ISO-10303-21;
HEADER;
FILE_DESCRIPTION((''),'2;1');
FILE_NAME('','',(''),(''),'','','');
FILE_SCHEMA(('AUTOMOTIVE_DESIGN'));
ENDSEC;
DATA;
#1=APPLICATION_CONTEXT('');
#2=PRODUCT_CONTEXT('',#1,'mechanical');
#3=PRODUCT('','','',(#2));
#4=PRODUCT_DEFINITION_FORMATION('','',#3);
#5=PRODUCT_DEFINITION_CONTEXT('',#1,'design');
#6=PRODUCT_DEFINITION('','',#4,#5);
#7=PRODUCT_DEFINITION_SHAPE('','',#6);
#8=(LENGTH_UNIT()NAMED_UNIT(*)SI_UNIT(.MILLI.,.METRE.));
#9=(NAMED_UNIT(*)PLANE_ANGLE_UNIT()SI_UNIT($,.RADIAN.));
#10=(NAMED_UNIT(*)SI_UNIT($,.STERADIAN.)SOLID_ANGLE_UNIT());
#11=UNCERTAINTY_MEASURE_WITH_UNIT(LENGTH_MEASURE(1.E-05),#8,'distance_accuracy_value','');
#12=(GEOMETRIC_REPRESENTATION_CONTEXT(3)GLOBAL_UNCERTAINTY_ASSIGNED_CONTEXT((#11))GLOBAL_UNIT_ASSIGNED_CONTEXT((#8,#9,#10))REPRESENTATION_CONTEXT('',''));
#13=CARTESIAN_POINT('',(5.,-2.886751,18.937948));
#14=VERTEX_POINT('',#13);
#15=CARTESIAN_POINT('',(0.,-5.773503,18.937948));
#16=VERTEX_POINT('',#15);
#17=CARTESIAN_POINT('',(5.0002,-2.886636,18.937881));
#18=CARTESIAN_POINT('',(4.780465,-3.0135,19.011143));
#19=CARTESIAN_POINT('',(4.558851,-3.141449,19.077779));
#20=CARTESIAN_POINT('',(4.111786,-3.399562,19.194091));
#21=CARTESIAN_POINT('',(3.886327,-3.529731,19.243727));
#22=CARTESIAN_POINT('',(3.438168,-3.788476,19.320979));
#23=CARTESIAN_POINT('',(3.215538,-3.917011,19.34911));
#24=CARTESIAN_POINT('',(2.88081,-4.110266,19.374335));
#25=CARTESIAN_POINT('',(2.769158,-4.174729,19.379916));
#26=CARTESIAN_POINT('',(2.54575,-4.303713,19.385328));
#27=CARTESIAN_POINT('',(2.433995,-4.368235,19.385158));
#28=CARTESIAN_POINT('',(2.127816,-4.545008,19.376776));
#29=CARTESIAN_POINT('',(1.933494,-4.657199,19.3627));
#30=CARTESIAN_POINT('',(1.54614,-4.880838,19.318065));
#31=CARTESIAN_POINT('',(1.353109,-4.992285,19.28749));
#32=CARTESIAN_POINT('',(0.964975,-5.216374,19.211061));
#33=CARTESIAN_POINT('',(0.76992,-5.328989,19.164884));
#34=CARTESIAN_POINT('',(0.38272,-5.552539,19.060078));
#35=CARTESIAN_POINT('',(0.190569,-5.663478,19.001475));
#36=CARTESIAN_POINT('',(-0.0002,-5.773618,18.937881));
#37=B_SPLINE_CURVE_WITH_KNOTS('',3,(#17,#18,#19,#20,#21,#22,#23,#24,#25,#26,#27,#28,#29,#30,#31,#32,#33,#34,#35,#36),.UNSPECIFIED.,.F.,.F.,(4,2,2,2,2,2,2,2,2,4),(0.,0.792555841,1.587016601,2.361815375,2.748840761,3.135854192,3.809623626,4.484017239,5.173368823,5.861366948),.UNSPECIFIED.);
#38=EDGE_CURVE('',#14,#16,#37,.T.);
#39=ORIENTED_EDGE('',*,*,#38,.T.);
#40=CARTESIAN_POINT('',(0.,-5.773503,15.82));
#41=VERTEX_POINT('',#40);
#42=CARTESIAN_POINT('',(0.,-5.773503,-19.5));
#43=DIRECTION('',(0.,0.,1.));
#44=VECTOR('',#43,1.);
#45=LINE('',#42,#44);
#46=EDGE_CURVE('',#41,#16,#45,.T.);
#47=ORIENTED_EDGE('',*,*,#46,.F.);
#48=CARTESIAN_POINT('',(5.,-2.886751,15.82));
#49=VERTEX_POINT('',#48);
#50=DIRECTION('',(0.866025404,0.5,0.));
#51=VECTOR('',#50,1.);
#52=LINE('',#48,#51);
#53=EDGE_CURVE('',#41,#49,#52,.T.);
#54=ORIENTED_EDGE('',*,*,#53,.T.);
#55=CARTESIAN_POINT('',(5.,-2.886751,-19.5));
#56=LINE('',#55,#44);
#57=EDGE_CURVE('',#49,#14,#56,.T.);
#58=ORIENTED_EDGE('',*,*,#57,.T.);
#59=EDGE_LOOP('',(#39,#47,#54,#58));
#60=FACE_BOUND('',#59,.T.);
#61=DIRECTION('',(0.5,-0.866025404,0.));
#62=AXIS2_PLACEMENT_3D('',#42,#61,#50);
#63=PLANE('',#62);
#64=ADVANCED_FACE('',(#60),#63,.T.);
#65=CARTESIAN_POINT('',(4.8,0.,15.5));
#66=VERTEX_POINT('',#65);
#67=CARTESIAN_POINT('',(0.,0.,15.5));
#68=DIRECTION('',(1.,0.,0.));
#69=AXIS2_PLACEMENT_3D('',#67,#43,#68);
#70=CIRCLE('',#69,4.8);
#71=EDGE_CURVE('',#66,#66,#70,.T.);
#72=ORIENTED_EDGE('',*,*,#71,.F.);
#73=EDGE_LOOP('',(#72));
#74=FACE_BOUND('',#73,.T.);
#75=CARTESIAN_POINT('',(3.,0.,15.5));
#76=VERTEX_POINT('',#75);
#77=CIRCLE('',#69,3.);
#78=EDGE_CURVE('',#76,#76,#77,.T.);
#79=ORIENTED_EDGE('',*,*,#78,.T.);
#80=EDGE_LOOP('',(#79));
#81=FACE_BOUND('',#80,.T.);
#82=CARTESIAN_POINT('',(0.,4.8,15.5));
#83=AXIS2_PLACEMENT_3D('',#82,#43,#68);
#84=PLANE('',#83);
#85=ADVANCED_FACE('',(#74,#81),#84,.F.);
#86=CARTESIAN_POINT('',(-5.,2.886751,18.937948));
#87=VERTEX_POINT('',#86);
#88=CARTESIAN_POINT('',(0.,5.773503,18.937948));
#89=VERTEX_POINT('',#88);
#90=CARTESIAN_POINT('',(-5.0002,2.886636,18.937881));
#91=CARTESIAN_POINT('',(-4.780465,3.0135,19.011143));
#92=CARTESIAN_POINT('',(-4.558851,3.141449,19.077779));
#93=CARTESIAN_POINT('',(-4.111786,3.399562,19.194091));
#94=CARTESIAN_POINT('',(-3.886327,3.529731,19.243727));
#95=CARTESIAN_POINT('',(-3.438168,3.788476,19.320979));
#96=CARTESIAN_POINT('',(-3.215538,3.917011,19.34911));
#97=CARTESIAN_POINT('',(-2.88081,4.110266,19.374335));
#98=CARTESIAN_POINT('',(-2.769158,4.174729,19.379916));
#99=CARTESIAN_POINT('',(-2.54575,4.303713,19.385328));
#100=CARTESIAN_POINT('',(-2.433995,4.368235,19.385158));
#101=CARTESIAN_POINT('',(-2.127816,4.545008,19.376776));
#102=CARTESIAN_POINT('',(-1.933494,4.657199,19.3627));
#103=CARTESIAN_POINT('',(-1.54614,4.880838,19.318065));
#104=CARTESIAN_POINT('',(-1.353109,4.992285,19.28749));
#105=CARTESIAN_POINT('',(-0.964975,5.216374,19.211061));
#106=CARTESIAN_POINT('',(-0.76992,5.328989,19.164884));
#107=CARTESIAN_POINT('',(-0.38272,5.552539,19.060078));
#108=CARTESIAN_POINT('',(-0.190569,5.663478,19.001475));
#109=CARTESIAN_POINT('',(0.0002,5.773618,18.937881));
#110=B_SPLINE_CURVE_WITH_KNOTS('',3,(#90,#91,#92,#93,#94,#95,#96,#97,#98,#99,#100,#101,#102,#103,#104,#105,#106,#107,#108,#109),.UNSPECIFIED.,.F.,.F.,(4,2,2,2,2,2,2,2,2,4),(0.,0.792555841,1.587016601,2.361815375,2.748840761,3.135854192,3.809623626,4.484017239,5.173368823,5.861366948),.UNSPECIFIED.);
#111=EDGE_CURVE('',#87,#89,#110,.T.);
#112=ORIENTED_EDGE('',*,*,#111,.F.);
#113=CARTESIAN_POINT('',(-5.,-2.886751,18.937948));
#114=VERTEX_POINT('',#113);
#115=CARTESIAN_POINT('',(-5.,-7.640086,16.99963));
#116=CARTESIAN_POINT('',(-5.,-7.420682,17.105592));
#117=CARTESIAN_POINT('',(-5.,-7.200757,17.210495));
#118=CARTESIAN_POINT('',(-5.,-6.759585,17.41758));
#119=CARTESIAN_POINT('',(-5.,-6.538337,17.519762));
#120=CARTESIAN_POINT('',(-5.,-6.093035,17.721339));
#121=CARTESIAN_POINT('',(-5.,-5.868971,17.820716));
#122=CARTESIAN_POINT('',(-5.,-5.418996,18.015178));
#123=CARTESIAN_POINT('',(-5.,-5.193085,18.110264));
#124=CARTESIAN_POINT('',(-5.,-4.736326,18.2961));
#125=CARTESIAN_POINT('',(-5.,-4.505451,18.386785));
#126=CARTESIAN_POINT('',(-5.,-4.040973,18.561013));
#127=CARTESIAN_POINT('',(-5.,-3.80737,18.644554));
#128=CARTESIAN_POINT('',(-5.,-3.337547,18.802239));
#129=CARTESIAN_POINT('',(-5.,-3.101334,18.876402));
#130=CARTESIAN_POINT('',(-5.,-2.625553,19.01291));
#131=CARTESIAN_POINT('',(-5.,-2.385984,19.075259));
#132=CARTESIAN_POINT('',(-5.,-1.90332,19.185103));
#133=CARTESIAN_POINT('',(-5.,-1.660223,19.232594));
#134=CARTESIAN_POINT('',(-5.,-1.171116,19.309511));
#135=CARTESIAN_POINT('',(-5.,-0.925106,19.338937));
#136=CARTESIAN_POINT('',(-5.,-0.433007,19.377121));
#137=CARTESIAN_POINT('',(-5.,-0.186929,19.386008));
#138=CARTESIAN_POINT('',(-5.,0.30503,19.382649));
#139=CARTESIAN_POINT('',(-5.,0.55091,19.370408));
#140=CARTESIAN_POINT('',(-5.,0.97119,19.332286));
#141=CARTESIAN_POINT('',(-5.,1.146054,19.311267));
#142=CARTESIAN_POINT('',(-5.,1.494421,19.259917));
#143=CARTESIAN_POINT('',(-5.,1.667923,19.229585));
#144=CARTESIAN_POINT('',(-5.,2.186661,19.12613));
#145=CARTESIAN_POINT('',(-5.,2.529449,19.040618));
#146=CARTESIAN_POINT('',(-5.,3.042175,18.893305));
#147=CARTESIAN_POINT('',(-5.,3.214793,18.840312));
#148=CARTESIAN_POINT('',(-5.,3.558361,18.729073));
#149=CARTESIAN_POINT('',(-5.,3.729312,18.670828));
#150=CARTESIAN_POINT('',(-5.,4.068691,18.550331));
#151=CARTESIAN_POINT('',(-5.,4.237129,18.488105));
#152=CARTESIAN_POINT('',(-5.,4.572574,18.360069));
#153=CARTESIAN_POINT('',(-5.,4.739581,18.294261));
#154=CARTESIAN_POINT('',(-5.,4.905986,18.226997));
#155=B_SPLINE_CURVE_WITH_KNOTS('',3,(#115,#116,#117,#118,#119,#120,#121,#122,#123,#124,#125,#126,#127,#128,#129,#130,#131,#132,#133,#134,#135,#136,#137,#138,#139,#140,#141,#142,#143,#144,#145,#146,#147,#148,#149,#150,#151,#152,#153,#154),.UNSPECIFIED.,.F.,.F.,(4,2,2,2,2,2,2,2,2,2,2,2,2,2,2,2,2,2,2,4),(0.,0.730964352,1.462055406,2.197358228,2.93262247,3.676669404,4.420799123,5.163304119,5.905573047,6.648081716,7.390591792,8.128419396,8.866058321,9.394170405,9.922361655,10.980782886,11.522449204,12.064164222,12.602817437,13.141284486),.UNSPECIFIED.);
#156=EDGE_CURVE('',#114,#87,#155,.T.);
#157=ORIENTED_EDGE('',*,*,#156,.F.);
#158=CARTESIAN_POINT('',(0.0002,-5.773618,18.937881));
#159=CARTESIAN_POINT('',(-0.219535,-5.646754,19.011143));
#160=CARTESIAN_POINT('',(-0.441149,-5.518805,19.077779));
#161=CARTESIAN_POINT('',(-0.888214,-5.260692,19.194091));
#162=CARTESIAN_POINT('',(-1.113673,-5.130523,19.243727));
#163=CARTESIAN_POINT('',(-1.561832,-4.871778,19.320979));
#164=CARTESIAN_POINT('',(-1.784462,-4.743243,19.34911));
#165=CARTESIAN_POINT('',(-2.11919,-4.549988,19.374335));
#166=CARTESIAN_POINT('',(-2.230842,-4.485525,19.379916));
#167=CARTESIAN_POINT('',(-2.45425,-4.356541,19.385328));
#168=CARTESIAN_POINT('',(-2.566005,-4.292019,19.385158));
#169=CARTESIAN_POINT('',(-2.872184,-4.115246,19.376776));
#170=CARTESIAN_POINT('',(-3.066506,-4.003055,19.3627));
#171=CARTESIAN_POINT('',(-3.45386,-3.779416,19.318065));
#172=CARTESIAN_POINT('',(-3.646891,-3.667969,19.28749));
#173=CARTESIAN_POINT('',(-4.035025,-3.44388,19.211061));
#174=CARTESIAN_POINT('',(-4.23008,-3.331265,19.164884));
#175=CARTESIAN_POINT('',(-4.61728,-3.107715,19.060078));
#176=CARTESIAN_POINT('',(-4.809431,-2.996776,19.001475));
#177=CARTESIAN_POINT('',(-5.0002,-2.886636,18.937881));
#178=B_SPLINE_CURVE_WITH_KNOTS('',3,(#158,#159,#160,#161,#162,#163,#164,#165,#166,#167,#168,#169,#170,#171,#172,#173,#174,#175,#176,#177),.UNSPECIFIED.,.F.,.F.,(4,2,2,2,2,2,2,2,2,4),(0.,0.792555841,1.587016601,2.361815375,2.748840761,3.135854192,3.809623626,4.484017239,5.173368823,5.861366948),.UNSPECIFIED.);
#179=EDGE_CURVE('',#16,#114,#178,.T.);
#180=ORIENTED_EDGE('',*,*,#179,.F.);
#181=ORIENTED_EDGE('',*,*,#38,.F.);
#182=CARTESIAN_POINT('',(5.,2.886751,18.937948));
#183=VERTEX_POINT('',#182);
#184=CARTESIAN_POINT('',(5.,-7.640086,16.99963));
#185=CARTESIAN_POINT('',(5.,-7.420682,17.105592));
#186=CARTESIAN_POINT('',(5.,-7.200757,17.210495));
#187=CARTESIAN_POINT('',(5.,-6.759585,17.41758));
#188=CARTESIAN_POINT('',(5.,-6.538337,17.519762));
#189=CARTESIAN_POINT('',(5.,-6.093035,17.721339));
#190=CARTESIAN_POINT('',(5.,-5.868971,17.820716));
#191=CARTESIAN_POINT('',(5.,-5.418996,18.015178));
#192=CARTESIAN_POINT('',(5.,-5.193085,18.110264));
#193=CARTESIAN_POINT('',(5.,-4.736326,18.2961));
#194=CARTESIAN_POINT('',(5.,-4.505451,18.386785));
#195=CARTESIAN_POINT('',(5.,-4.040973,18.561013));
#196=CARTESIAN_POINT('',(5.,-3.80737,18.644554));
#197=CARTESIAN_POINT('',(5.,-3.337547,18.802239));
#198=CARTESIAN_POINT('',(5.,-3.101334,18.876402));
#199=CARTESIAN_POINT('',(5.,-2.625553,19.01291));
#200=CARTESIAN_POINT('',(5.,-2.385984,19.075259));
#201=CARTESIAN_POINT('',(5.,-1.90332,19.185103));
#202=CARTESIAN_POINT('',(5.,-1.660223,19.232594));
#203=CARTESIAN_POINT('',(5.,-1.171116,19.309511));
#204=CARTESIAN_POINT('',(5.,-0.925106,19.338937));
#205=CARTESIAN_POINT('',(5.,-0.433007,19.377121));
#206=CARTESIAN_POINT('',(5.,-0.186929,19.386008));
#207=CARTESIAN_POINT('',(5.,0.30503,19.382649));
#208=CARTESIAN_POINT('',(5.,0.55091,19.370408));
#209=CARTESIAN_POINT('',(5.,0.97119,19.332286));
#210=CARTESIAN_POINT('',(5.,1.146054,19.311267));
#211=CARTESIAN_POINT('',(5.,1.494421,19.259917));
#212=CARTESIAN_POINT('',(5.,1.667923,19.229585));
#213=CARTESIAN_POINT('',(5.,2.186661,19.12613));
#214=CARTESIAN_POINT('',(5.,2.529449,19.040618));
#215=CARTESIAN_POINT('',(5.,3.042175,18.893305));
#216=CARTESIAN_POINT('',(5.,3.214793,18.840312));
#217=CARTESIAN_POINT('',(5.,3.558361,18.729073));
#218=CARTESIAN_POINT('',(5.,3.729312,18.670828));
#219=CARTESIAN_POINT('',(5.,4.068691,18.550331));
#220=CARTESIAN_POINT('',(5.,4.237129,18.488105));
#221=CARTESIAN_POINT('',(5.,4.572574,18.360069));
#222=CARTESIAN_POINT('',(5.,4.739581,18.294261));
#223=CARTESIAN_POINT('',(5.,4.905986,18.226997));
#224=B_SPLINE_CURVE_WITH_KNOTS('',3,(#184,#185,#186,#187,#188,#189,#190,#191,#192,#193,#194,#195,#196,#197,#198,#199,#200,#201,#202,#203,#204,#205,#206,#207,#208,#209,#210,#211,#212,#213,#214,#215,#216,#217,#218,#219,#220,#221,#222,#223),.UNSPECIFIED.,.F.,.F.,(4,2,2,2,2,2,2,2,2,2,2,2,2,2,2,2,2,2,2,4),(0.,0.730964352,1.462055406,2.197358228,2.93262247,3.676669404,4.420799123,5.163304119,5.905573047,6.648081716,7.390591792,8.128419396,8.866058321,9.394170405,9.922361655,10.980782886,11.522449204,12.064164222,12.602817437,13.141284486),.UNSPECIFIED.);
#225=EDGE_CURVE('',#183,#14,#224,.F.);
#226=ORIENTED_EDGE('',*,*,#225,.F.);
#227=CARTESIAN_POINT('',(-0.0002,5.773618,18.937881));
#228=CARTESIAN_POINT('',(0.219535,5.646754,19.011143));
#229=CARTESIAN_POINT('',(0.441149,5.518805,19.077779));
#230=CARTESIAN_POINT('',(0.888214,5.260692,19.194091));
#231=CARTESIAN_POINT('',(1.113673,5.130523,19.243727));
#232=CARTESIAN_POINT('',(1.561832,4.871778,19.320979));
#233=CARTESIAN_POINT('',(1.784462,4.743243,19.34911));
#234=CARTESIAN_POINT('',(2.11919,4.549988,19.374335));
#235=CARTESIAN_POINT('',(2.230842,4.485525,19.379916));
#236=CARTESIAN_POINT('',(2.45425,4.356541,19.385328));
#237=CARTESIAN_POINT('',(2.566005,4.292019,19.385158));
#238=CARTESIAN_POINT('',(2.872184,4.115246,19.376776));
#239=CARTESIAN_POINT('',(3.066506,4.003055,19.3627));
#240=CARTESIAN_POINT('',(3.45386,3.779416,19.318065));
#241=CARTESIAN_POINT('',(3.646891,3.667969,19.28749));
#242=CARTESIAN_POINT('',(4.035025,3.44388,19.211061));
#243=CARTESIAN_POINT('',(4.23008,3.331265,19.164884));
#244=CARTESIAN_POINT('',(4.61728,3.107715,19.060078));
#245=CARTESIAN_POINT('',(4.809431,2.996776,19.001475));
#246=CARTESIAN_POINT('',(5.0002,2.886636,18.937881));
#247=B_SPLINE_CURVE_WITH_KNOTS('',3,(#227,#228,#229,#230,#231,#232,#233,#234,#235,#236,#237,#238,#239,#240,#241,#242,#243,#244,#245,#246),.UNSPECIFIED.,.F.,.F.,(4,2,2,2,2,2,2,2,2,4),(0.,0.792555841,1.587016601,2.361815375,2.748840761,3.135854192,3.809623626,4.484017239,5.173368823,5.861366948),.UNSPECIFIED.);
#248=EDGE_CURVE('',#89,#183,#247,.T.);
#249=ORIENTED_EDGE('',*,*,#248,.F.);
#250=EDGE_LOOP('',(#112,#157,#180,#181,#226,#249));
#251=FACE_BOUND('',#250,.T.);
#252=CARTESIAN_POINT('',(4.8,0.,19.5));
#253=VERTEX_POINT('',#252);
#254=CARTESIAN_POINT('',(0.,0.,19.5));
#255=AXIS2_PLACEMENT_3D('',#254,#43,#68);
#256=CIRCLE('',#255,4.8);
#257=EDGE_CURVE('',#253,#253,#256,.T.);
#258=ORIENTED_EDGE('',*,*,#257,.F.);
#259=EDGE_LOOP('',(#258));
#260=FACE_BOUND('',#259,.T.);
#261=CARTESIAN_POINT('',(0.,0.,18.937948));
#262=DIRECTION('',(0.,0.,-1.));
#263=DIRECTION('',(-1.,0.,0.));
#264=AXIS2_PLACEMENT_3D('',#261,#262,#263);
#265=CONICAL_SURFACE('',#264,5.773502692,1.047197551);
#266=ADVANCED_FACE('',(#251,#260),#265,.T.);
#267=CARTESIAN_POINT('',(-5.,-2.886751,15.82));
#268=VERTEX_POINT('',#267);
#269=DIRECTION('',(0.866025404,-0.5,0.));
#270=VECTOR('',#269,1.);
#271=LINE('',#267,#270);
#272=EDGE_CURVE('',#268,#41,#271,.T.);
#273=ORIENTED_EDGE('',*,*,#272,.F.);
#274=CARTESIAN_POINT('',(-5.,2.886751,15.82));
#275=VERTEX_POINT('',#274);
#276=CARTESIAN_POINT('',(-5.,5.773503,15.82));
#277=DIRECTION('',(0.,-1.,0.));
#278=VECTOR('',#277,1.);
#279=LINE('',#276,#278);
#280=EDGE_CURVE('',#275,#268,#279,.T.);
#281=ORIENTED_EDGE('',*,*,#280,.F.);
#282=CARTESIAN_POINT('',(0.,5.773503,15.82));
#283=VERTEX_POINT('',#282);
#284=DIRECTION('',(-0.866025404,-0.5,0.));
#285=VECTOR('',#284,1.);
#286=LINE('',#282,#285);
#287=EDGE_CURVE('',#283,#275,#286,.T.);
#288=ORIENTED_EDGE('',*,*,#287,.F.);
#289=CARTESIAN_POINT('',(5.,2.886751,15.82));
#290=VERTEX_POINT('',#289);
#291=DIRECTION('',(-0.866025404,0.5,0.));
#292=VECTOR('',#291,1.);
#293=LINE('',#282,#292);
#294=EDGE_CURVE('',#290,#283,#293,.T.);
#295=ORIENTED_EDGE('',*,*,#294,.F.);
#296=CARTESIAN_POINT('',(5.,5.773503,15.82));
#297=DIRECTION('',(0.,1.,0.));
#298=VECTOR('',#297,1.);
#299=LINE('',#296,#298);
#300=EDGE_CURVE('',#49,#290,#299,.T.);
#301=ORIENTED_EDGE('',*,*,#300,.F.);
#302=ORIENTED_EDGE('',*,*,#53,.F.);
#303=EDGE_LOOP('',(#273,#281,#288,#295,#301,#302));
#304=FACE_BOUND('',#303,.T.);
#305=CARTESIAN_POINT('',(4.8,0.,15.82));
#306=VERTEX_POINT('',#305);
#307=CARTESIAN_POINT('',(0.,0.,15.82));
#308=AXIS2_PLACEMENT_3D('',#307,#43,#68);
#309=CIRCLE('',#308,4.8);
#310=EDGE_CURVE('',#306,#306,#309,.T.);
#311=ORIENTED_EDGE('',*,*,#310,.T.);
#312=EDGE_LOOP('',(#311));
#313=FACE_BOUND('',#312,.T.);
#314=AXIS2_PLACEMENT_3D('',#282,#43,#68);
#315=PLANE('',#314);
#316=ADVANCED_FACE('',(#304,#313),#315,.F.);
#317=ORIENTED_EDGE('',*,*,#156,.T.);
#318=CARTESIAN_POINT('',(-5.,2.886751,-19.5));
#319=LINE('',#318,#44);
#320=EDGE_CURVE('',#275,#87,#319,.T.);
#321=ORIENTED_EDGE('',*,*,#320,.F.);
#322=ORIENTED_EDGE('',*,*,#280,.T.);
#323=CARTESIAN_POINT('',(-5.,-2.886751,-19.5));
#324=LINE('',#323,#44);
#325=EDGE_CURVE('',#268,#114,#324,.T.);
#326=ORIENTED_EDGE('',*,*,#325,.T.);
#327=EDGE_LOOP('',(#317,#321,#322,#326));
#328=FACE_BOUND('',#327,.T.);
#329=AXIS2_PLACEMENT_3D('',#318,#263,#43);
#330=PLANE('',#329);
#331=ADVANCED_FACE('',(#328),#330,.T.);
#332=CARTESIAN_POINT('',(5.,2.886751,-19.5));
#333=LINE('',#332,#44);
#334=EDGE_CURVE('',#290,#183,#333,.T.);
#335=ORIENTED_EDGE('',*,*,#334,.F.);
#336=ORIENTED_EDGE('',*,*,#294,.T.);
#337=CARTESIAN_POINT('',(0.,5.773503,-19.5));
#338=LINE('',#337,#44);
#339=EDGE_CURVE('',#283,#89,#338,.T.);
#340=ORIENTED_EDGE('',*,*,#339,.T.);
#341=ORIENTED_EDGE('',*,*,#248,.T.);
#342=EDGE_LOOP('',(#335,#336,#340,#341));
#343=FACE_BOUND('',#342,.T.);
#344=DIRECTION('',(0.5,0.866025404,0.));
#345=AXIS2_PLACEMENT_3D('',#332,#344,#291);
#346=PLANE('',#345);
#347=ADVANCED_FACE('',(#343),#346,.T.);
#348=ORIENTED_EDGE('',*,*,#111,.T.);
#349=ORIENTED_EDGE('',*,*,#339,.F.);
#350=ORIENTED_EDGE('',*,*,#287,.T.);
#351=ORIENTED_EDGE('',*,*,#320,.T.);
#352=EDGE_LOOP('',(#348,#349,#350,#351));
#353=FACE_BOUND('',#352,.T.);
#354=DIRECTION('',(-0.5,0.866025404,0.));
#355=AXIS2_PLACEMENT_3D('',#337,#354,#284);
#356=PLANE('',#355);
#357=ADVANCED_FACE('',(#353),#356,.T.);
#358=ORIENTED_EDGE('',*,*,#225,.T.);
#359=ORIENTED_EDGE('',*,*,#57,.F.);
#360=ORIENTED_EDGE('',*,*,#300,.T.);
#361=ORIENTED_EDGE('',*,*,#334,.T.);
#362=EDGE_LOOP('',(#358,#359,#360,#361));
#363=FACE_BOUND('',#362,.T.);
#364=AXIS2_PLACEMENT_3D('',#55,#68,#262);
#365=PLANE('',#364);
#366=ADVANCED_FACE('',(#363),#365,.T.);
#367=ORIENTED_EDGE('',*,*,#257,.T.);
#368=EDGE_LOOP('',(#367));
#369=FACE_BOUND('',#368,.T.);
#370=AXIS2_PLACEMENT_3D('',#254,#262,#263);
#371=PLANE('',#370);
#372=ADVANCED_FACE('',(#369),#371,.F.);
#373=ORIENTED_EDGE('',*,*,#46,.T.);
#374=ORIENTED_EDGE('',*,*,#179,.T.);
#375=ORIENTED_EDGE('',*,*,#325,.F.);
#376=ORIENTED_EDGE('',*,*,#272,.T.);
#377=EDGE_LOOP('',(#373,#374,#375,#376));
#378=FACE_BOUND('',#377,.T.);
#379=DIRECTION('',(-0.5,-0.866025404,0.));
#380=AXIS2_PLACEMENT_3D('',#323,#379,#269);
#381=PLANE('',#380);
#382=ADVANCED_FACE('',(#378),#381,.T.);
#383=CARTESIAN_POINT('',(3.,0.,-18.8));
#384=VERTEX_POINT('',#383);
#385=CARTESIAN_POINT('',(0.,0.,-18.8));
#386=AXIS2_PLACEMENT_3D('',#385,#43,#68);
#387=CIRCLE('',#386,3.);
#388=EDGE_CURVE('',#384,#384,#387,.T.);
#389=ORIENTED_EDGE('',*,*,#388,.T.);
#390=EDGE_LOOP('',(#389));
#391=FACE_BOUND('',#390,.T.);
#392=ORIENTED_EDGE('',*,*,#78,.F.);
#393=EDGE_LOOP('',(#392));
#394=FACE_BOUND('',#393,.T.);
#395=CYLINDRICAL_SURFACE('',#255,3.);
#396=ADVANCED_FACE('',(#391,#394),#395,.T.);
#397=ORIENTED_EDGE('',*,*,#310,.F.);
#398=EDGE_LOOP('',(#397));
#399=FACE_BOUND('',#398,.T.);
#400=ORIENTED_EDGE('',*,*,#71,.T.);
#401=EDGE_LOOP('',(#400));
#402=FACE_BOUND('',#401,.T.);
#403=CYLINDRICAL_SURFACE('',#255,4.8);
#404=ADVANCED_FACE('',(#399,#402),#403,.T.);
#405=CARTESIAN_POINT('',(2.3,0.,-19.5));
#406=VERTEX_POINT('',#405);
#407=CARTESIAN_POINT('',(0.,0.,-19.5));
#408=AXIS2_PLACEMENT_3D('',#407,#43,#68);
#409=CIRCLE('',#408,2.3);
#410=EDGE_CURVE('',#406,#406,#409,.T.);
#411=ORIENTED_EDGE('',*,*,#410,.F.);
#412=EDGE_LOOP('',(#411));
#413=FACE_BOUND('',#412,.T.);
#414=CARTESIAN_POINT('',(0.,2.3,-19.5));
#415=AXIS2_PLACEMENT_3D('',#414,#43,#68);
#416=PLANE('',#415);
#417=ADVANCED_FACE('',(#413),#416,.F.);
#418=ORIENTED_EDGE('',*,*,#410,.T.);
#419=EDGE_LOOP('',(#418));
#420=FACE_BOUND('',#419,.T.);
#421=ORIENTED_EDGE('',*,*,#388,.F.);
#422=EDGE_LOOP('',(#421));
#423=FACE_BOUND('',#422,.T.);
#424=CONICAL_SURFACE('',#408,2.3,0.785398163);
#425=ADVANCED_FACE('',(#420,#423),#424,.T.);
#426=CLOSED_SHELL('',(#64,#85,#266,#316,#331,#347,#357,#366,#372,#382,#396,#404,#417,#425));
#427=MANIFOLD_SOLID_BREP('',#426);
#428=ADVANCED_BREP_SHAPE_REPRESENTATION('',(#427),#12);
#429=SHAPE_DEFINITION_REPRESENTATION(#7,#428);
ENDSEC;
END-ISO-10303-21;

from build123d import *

# Parameters (mm, degrees)
SKETCH4_OUTSIDE_W  = 22.004
SKETCH4_OUTSIDE_H  = 22.004
CUT_EXTRUDE1_DEPTH = 40.845535091


with BuildPart() as part:
    # Sketch3 → Revolve1 (revolve)
    with BuildSketch(Plane(origin=(0, 0, 0), x_dir=(0, 0, -1), z_dir=(1, 0, 0))):
        Polygon((-19.5, 0), (-19.5, 4.8), (-18.937947959, 5.773502692), (-15.82, 5.773502692), (-15.82, 4.8), (-15.5, 4.8), (-15.5, 3), (18.8, 3), (19.5, 2.3), (19.5, 0), align=None)
    revolve(axis=Axis((0, 0, 19.5), (0, 0, -1)))

    # Sketch4 outside → Cut-Extrude1 (cut, through all)
    with BuildSketch(Plane.XY.offset(19.5)):
        Rectangle(SKETCH4_OUTSIDE_W, SKETCH4_OUTSIDE_H)
        Polygon((5, 2.886751346), (0, 5.773502692), (-5, 2.886751346), (-5, -2.886751346), (0, -5.773502692), (5, -2.886751346), align=None, mode=Mode.SUBTRACT)
    extrude(amount=-CUT_EXTRUDE1_DEPTH, mode=Mode.SUBTRACT)


solid = part.part
